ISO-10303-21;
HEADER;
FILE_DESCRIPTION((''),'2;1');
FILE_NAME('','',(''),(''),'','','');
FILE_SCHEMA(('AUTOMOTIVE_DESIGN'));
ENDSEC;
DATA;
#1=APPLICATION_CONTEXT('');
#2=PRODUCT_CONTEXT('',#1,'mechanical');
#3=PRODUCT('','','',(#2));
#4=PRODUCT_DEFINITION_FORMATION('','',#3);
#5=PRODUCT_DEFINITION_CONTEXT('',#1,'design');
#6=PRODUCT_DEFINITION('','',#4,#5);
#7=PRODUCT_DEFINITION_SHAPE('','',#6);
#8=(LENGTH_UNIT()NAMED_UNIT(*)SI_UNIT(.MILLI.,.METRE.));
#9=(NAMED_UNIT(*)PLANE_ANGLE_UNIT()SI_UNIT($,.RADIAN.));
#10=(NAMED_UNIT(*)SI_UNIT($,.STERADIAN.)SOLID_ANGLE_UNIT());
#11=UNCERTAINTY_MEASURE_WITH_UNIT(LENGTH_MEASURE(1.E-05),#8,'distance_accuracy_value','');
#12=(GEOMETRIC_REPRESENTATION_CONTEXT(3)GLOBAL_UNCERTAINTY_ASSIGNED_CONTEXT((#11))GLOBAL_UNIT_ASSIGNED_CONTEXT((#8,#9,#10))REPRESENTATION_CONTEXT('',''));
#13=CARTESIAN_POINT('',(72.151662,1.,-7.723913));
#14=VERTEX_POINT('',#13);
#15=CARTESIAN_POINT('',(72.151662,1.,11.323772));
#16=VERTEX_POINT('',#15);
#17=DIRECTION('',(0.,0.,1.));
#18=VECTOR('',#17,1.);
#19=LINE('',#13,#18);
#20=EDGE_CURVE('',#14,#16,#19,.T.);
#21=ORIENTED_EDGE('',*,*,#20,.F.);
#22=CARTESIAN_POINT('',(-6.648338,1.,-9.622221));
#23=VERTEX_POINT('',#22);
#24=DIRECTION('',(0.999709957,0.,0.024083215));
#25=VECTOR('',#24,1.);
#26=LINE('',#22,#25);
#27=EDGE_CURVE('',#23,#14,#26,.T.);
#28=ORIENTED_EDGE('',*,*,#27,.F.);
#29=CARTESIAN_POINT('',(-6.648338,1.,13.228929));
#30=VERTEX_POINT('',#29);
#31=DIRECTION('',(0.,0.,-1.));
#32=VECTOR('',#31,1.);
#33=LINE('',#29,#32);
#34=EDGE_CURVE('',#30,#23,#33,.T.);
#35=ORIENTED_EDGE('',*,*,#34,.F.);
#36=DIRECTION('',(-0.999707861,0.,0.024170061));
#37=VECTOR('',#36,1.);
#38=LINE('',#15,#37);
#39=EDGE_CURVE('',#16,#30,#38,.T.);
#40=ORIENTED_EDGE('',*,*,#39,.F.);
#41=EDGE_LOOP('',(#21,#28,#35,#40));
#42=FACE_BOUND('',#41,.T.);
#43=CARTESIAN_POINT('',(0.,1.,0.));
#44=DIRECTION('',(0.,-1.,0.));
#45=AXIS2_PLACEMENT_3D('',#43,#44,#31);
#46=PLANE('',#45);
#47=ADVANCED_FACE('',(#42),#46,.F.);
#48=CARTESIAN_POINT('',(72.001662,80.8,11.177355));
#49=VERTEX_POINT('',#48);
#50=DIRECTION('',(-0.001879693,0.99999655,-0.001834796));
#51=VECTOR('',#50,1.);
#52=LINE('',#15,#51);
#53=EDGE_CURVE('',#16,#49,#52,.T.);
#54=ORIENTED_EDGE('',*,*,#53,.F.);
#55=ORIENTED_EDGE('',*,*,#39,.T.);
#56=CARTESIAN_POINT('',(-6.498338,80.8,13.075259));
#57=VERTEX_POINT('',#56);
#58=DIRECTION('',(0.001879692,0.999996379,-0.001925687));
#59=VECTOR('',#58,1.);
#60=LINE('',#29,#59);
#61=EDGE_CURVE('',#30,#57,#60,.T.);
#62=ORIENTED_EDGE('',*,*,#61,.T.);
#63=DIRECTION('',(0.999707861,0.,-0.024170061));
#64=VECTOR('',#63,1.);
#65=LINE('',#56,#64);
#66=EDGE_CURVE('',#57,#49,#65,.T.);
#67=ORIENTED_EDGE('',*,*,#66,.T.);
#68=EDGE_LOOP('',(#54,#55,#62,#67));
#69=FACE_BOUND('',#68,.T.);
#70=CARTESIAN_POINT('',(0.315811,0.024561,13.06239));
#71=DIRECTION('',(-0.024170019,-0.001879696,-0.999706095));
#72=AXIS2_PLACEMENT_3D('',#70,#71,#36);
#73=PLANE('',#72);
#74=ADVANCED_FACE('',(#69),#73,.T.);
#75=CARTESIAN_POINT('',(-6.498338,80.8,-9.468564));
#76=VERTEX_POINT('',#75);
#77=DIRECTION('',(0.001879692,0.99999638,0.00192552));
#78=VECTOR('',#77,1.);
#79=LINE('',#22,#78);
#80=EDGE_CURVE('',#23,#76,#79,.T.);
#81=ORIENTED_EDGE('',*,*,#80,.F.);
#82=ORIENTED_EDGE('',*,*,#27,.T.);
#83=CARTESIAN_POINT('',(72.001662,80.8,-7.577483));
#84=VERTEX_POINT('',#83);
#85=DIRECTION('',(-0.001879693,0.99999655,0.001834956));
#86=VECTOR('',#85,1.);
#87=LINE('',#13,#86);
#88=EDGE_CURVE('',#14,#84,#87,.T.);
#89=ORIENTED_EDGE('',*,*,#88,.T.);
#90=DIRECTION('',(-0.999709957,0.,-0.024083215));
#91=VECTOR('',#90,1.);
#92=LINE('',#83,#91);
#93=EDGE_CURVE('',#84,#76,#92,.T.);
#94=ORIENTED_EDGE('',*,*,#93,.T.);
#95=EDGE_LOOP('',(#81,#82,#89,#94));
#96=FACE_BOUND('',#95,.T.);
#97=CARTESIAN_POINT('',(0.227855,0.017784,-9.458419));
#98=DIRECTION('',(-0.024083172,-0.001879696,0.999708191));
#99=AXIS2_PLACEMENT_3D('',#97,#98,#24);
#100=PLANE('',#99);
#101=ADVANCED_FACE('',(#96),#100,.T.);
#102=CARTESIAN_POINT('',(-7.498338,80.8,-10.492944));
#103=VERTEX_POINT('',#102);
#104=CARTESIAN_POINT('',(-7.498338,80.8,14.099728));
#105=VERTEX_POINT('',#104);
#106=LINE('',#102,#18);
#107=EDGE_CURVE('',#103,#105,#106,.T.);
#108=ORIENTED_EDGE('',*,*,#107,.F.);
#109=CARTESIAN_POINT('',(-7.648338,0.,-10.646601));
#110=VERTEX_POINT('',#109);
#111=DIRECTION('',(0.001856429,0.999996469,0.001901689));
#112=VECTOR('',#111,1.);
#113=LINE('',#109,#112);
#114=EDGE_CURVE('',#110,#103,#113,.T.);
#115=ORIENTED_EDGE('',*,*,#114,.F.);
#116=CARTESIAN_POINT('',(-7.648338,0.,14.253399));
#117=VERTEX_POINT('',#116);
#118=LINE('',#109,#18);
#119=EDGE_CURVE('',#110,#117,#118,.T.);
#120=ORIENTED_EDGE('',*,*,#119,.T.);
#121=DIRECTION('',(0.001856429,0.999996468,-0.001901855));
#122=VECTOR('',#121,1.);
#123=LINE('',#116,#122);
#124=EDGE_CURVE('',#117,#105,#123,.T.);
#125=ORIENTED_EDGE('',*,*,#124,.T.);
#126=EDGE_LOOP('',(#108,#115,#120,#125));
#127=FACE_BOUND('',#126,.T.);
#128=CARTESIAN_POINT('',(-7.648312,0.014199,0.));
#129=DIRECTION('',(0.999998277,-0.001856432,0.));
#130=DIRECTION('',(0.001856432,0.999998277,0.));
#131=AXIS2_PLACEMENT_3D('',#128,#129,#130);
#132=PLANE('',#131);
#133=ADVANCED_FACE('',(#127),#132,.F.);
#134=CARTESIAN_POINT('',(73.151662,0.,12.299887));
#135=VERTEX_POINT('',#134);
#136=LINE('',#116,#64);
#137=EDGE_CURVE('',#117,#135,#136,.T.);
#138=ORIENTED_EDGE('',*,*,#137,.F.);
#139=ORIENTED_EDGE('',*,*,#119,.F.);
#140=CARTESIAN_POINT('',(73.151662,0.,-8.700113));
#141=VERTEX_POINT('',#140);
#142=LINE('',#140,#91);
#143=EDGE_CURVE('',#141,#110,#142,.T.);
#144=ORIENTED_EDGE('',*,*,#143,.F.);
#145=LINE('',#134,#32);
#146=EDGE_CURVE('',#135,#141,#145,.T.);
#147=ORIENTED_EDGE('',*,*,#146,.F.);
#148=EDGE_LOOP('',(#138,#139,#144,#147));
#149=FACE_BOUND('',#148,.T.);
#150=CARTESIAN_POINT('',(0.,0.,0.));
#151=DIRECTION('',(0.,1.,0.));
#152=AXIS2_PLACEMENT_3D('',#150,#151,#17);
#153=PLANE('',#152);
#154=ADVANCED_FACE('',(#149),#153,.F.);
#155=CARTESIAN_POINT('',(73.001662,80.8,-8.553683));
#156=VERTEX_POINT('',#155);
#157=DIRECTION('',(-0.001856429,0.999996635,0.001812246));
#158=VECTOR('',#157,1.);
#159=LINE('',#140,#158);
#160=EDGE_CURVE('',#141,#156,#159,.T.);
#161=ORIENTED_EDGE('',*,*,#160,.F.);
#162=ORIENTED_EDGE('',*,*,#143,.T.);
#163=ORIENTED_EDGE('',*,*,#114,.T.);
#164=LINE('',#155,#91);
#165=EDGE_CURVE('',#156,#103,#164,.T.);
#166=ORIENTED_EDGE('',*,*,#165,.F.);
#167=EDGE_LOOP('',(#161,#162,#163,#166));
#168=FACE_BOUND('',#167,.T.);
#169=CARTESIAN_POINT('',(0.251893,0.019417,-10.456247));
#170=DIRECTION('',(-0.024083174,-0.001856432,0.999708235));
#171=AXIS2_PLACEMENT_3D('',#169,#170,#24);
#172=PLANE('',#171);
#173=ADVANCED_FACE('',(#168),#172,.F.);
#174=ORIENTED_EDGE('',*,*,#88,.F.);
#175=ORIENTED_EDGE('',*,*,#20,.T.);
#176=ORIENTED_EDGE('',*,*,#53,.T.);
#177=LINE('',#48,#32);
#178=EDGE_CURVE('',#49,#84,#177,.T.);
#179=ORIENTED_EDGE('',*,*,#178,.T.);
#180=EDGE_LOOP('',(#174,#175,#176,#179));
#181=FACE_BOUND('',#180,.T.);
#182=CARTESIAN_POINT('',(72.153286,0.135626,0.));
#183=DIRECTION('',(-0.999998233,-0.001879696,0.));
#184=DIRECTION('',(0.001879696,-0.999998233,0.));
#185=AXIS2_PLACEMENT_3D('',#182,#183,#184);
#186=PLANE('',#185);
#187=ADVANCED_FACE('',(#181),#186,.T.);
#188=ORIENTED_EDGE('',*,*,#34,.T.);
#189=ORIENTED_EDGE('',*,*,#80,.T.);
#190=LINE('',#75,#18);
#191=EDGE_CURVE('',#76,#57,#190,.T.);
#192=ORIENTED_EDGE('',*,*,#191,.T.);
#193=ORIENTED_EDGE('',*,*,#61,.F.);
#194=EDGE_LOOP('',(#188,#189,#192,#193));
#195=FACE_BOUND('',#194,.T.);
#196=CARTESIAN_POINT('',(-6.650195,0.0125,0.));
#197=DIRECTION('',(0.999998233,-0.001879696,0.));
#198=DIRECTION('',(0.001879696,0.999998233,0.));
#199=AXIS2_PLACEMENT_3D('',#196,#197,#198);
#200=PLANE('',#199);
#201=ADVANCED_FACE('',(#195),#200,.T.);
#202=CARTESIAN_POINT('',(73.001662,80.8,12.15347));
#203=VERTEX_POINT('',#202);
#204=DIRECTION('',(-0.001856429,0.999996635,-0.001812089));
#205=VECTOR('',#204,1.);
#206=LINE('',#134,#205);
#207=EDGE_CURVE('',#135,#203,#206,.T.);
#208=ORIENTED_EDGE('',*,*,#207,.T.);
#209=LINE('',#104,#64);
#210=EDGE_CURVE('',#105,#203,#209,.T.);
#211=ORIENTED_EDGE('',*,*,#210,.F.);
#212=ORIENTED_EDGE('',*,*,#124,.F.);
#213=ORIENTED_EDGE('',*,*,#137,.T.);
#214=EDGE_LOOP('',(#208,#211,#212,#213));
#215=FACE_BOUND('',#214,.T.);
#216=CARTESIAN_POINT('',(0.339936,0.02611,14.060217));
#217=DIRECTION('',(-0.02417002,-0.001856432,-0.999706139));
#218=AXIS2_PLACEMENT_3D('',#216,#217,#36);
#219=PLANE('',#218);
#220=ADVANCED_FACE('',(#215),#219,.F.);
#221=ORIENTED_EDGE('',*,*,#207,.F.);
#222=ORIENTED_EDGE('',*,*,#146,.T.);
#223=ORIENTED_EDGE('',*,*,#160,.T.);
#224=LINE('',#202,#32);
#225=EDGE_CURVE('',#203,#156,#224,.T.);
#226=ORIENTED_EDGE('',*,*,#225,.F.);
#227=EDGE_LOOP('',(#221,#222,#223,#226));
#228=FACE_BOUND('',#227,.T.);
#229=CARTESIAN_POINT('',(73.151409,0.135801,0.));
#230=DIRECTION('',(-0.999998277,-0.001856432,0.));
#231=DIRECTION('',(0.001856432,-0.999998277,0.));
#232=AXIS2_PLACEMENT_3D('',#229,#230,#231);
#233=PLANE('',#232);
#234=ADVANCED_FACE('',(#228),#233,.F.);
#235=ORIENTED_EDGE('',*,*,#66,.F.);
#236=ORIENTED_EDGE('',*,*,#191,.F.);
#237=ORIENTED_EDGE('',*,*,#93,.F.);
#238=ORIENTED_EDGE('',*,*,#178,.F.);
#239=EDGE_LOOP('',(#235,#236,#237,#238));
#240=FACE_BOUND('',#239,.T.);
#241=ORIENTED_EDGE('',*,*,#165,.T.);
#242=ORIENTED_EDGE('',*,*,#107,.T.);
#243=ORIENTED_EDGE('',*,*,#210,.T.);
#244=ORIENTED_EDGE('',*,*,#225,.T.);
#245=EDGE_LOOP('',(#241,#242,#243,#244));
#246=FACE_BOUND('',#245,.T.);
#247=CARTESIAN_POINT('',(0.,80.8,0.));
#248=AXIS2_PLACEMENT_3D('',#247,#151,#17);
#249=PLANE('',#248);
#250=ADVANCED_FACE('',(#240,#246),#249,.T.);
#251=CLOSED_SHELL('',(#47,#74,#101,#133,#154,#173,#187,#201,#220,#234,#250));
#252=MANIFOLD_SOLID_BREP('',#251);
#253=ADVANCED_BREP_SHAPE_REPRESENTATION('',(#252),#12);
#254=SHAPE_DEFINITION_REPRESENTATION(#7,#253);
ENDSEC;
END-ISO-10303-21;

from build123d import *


with BuildPart() as part:
    # Bottom → Magazine Body section 0
    with BuildSketch(Plane(origin=(0, 0, 0), x_dir=(1, 0, 0), z_dir=(0, 1, 0))):
        with BuildLine():
            Line((-7.648338397, 10.646601169), (-7.648338397, -14.253398831))
            Line((-7.648338397, -14.253398831), (73.151661603, -12.299887169))
            Line((73.151661603, -12.299887169), (73.151661603, 8.700112831))
            Line((73.151661603, 8.700112831), (-7.648338397, 10.646601169))
        make_face()
    # Top → Magazine Body section 1
    with BuildSketch(Plane(origin=(0, 80.8, 0), x_dir=(1, 0, 0), z_dir=(0, 1, 0))):
        with BuildLine():
            Line((73.001661603, -12.153469905), (73.001661603, 8.553682842))
            Line((73.001661603, 8.553682842), (-7.498338397, 10.49294412))
            Line((-7.498338397, 10.49294412), (-7.498338397, -14.099728429))
            Line((-7.498338397, -14.099728429), (73.001661603, -12.153469905))
        make_face()
    loft()

    # Sketch4 → Magazine Inner Cut section 0
    with BuildSketch(Plane(origin=(0, 1, 0), x_dir=(-1, 0, 0), z_dir=(0, -1, 0))):
        with BuildLine():
            Line((6.648338397, -13.228929483), (6.648338397, 9.62222084))
            Line((6.648338397, 9.62222084), (-72.151661603, 7.723912906))
            Line((-72.151661603, 7.723912906), (-72.151661603, -11.32377207))
            Line((-72.151661603, -11.32377207), (6.648338397, -13.228929483))
        make_face()
    # Sketch5 → Magazine Inner Cut section 1
    with BuildSketch(Plane(origin=(0, 80.8, 0), x_dir=(1, 0, 0), z_dir=(0, 1, 0))):
        with BuildLine():
            Line((72.001661603, -11.177354805), (72.001661603, 7.577482917))
            Line((72.001661603, 7.577482917), (-6.498338397, 9.468563791))
            Line((-6.498338397, 9.468563791), (-6.498338397, -13.07525908))
            Line((-6.498338397, -13.07525908), (72.001661603, -11.177354805))
        make_face()
    loft(mode=Mode.SUBTRACT)


solid = part.part
